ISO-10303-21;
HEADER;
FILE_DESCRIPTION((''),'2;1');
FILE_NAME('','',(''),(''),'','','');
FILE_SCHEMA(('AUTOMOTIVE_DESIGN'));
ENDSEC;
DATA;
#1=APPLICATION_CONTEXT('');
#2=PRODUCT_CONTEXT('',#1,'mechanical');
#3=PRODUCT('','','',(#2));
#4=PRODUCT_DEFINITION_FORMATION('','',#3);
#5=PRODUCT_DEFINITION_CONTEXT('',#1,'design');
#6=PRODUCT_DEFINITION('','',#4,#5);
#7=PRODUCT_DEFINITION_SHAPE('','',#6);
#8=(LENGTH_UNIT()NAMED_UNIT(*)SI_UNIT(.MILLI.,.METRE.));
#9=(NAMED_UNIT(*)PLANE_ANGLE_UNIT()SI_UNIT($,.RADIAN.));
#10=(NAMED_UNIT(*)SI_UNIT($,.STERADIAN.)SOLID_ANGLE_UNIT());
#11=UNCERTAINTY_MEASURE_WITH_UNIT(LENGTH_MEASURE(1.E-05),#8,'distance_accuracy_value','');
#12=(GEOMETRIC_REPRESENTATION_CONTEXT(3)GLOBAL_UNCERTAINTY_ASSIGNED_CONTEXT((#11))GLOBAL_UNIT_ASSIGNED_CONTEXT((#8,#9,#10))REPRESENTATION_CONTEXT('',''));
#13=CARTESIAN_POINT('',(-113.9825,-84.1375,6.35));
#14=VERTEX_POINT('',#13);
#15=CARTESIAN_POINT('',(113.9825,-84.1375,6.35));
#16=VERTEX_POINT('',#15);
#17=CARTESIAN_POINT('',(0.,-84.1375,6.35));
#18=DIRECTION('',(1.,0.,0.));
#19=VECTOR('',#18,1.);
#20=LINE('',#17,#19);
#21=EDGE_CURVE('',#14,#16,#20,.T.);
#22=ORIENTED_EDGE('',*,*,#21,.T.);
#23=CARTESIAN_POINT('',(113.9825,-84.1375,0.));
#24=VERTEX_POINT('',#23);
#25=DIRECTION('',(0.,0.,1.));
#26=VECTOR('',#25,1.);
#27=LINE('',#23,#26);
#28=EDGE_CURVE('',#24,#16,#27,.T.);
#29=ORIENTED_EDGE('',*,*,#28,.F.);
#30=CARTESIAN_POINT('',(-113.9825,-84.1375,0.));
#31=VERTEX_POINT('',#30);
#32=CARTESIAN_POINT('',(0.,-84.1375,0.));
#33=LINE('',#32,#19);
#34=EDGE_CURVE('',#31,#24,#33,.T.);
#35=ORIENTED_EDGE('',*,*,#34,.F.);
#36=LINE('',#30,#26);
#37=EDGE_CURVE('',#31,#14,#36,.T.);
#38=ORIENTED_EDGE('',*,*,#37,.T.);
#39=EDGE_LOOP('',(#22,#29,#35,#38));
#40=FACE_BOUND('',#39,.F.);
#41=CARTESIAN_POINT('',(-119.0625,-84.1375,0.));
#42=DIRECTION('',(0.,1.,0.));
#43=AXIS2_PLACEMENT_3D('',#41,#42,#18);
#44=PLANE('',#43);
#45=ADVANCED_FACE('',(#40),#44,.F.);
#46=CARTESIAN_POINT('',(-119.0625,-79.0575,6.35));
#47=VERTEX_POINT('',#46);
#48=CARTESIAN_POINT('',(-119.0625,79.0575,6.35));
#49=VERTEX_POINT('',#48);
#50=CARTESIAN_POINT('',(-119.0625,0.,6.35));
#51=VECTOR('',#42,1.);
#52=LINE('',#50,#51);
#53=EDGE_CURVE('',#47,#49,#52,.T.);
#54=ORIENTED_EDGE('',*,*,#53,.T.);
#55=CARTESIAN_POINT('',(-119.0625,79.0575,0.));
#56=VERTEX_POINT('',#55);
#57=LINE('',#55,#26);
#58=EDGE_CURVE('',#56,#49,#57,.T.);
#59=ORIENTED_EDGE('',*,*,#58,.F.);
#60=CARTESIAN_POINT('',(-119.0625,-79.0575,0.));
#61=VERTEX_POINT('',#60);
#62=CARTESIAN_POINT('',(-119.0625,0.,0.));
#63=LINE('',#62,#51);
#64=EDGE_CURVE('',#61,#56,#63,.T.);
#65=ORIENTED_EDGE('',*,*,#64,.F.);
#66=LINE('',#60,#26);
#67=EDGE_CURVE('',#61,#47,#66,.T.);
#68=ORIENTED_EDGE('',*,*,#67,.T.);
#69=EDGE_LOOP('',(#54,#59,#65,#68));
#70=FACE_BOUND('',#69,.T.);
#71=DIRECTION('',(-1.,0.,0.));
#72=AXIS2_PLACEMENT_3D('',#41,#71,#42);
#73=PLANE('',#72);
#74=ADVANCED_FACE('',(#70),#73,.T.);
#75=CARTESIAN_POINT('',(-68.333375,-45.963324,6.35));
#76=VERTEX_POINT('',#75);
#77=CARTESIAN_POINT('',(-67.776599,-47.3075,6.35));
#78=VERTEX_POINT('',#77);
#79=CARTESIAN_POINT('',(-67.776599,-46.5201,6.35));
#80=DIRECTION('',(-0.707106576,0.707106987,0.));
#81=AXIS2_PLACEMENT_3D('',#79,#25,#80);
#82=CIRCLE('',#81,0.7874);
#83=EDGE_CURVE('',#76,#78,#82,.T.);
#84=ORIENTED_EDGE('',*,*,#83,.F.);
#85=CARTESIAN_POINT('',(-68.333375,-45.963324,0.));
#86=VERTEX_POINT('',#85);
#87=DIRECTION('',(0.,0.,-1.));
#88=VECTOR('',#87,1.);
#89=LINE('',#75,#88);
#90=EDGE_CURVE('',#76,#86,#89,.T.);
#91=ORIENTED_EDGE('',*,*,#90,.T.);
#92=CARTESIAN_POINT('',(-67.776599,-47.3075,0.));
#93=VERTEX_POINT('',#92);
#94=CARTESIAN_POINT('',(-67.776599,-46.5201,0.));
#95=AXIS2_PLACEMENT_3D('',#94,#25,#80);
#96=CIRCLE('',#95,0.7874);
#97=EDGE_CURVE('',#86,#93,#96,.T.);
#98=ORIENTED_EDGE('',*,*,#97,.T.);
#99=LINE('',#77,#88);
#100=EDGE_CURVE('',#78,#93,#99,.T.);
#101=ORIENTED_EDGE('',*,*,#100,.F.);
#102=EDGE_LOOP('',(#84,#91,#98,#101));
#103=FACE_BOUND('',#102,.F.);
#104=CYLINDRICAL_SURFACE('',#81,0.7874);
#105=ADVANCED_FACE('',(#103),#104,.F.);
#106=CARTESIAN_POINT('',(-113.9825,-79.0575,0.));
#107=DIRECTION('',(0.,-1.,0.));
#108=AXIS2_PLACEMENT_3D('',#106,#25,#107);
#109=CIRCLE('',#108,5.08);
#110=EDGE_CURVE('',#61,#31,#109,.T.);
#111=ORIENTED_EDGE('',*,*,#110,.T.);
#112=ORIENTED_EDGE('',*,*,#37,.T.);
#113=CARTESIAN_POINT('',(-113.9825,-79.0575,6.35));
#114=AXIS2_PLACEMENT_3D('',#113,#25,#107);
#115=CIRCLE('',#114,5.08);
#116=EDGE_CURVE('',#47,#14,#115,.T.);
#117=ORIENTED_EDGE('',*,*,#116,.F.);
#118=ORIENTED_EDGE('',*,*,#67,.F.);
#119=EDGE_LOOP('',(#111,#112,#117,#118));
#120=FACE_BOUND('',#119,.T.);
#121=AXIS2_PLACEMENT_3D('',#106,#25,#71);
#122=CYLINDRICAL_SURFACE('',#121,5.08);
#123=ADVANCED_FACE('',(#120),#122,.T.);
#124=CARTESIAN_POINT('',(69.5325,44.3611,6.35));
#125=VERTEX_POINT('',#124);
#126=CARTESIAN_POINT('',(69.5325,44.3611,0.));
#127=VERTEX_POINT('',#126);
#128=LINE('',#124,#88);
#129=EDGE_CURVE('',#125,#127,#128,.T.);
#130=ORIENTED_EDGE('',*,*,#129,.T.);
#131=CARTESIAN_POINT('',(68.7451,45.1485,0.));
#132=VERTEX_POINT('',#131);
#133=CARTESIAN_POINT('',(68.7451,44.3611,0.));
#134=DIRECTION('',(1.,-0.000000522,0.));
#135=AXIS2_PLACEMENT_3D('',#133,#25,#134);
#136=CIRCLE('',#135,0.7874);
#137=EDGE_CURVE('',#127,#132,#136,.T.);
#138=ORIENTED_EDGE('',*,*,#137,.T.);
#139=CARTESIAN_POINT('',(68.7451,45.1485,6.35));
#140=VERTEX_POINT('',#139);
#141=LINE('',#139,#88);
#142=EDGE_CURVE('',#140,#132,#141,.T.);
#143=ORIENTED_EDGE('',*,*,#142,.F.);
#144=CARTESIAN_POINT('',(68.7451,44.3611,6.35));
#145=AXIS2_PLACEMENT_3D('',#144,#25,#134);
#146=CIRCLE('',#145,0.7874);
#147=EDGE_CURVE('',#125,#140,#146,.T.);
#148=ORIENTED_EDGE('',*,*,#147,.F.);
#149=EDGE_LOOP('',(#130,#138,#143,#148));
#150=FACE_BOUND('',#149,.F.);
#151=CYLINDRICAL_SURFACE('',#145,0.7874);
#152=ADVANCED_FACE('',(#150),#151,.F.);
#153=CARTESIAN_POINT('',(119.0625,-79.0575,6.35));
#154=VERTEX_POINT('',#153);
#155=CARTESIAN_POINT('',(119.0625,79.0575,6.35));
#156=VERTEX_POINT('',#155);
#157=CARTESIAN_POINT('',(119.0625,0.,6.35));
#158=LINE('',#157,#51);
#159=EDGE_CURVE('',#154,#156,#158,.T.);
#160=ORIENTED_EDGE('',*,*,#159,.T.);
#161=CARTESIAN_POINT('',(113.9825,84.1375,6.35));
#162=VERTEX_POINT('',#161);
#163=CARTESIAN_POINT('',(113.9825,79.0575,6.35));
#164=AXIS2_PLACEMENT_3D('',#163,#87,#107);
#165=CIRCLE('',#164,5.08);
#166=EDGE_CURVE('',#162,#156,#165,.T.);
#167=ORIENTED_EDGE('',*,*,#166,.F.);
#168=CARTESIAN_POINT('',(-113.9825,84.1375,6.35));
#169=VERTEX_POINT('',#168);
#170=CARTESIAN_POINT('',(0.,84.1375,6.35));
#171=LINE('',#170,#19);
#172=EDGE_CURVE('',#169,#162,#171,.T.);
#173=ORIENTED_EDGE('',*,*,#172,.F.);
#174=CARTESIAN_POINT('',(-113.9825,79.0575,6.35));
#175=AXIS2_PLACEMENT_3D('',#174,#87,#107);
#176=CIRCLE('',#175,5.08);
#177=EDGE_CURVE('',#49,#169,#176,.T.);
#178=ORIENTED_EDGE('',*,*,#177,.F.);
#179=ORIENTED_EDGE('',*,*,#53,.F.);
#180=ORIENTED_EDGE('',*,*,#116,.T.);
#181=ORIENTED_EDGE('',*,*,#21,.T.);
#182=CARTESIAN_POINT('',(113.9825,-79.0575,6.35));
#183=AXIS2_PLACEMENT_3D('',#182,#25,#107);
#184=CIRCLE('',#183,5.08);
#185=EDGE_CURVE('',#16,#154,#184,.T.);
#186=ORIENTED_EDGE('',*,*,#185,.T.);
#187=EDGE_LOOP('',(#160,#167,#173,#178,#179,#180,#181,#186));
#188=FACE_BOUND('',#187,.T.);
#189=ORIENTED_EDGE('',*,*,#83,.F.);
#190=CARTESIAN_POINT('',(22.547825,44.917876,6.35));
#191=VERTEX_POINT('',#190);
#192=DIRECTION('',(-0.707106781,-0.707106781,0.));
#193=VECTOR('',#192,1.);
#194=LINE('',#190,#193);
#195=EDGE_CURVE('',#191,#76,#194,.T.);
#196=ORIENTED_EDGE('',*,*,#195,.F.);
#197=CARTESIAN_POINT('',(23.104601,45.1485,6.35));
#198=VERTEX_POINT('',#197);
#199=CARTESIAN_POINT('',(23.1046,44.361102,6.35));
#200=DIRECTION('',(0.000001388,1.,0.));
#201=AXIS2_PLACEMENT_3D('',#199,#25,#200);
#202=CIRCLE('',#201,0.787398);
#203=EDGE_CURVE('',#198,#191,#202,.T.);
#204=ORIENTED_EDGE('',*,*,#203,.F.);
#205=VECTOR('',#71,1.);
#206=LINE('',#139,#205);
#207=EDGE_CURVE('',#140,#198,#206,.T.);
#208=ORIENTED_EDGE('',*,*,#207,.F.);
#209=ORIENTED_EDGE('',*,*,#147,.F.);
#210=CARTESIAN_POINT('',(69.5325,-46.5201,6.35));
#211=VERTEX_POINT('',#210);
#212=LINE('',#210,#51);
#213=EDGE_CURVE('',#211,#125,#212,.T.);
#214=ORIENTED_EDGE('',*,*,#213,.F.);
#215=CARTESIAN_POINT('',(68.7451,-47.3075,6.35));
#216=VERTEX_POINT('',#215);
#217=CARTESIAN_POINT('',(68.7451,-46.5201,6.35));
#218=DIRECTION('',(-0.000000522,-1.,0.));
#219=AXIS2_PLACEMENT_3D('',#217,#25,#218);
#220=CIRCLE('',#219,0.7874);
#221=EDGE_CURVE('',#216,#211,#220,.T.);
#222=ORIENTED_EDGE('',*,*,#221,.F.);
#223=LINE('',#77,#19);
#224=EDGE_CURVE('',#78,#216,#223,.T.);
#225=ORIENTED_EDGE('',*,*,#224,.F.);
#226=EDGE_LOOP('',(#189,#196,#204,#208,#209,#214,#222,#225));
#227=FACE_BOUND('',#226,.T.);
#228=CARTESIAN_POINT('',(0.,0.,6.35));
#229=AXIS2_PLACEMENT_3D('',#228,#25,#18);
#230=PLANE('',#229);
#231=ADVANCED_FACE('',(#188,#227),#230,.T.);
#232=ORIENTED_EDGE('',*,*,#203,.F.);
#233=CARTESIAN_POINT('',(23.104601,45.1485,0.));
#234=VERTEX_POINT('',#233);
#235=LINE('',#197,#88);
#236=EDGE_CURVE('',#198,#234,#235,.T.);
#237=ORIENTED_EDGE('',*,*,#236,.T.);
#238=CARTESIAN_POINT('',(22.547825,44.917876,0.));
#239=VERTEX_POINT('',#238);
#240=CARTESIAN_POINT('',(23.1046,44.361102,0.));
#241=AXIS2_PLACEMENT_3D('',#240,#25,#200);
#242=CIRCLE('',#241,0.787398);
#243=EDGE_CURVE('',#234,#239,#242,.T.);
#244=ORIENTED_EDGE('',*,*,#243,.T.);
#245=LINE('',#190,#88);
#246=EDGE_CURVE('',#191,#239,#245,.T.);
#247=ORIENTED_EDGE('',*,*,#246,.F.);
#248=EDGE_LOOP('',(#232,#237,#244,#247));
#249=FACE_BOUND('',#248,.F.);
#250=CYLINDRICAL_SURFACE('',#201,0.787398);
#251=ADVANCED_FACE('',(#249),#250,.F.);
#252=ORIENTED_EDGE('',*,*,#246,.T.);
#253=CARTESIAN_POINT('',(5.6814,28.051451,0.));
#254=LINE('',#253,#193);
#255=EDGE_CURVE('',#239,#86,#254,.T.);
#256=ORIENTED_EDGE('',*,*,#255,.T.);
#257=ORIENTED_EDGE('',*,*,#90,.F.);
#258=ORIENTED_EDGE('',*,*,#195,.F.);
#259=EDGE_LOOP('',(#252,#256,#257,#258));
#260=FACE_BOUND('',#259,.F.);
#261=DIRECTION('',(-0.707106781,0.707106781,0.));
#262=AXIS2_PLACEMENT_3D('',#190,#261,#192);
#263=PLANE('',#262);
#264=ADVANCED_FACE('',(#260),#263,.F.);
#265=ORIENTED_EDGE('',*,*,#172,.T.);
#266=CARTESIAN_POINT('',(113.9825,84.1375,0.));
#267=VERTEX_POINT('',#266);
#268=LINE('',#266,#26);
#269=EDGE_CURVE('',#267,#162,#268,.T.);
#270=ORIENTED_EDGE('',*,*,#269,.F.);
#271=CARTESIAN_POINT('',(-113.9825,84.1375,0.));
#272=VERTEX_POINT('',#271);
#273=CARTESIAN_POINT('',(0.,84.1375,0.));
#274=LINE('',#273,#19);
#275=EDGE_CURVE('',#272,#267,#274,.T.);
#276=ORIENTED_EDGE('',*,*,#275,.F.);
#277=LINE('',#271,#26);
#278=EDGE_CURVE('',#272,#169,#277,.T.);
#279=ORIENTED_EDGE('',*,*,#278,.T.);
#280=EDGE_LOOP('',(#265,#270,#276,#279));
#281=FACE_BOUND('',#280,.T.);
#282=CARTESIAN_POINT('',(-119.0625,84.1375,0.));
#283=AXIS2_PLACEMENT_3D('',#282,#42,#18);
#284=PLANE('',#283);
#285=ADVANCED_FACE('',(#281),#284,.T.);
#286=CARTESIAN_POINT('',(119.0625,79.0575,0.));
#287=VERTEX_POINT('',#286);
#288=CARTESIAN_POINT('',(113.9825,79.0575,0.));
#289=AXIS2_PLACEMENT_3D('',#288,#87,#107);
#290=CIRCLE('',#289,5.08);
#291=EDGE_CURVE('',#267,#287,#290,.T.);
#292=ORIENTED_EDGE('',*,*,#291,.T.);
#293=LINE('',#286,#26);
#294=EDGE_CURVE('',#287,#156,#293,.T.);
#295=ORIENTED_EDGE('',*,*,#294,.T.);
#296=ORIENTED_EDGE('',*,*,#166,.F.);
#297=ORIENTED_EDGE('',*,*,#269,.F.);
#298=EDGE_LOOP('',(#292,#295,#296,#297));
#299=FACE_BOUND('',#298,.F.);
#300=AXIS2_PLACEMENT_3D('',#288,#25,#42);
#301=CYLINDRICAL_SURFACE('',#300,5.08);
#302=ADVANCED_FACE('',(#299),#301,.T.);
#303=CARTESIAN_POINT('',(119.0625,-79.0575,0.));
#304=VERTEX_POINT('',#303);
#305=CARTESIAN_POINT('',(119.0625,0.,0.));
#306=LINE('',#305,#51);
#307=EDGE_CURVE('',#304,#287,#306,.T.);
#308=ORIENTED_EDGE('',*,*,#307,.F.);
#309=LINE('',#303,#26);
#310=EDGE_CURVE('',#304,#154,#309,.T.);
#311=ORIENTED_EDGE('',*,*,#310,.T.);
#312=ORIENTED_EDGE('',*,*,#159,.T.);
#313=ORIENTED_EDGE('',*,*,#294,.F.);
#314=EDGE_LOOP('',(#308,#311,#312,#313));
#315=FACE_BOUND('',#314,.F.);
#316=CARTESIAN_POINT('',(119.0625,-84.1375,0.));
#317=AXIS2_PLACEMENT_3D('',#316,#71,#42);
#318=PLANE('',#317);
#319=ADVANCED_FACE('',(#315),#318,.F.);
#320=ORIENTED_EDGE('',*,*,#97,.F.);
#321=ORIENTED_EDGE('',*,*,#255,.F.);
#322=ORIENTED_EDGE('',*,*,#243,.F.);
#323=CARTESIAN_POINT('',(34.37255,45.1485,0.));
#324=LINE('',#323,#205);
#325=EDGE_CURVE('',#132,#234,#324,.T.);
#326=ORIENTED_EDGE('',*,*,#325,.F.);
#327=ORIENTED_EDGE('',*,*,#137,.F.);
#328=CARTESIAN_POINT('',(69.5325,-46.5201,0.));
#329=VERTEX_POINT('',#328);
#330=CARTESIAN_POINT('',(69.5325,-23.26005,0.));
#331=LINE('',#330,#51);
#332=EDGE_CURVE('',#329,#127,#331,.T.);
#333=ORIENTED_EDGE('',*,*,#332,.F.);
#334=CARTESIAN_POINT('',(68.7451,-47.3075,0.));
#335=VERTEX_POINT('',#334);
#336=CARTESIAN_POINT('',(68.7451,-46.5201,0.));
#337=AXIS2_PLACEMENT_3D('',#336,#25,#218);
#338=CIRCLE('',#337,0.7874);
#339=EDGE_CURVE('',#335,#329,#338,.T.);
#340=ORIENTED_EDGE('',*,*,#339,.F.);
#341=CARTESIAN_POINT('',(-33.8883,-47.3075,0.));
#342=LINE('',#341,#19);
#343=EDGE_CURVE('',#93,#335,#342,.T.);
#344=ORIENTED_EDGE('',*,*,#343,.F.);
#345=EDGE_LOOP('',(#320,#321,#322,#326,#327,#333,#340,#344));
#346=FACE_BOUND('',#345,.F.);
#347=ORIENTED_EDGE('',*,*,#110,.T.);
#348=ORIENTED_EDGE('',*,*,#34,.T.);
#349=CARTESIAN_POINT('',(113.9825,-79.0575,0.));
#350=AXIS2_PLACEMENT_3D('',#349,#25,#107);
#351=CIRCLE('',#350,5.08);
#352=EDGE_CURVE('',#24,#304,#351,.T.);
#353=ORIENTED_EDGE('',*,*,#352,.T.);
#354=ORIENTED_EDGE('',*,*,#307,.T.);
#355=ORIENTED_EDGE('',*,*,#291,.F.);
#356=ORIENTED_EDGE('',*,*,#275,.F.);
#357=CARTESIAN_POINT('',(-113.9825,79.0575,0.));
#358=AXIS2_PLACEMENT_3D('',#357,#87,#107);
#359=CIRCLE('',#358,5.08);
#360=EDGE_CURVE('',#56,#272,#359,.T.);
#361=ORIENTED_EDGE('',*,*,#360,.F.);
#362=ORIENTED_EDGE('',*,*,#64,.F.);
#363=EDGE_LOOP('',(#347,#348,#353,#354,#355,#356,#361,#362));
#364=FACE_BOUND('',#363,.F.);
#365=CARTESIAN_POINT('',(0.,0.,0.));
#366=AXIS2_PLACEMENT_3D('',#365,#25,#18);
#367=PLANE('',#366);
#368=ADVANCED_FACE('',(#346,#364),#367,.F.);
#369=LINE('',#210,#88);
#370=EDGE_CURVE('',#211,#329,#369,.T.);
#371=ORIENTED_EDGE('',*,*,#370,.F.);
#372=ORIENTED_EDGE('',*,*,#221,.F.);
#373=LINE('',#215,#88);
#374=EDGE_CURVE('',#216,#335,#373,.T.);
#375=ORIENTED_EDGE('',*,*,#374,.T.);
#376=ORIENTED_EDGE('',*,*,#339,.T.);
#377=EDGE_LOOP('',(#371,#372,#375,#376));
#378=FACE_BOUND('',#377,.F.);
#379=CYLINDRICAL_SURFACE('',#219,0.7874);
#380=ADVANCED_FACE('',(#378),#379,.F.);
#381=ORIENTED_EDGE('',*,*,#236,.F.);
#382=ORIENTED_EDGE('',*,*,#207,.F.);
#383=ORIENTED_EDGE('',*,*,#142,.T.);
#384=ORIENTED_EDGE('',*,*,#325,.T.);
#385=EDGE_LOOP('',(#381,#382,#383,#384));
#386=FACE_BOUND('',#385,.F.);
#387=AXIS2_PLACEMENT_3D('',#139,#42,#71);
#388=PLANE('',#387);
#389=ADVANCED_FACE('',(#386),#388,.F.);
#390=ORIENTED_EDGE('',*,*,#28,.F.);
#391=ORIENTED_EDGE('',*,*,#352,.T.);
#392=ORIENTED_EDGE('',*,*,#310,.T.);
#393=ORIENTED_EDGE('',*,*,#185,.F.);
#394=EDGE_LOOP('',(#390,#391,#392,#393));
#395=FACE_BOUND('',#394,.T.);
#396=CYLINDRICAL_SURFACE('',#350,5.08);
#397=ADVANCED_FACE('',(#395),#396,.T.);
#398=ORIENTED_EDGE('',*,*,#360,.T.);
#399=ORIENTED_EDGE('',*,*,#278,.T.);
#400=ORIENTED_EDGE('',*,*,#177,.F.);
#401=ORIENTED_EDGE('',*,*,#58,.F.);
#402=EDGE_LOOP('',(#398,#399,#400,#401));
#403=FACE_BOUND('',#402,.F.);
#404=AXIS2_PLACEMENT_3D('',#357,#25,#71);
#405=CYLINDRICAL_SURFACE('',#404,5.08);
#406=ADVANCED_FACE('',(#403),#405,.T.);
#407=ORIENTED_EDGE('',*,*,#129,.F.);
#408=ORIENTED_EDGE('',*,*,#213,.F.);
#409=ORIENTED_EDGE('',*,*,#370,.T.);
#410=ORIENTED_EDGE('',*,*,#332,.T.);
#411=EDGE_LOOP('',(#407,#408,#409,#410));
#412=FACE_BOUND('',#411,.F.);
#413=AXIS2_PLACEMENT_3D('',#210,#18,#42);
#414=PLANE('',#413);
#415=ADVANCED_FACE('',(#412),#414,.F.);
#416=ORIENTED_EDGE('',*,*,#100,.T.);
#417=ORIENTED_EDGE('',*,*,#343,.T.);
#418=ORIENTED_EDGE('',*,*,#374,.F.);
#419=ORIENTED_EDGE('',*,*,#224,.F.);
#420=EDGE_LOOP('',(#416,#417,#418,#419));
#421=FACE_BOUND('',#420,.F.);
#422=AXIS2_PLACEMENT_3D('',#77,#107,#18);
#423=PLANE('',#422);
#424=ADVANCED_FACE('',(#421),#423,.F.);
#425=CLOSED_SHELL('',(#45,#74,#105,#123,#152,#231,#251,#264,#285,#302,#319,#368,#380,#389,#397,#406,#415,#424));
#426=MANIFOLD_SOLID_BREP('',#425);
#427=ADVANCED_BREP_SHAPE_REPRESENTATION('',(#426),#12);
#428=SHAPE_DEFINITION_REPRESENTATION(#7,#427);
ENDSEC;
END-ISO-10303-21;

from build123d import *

# Parameters (mm, degrees)
F0_W     = 238.125
F0_H     = 168.275
F1_DEPTH = 6.35
F3_DEPTH = 25.4
F4_R     = 5.08
F5_DEPTH = 6.351
F7_DEPTH = 6.351


with BuildPart() as f1:
    # F0 (on Top) → F1 (new body)
    with BuildSketch(Plane.XY):
        Rectangle(F0_W, F0_H)
    extrude(amount=F1_DEPTH)

    # F2 (on face) → F3 (cut)
    with BuildSketch(Plane.XY.offset(6.35)):
        Polygon((23.3045, 43.8785), (-66.6115, -46.0375), (68.2625, -46.0375), (68.2625, 43.8785), align=None)
    extrude(amount=-F3_DEPTH, mode=Mode.SUBTRACT)

    # F4
    f4_edges = [f1.edges().sort_by_distance(p)[0] for p in [
        (119.0625, -84.1375, 3.175),
        (119.0625, 84.1375, 3.175),
        (-119.0625, -84.1375, 3.175),
        (-119.0625, 84.1375, 3.175),
    ]]
    fillet(f4_edges, radius=F4_R)

    # F2 (on face) → F5 (cut, through all)
    with BuildSketch(Plane.XY.offset(6.35)):
        Polygon((23.3045, 43.8785), (-66.6115, -46.0375), (68.2625, -46.0375), (68.2625, 43.8785), align=None)
    extrude(amount=-F5_DEPTH, mode=Mode.SUBTRACT)

    # F6 (on face) → F7 (cut, through all)
    with BuildSketch(Plane.XY.offset(6.35)):
        with BuildLine():
            Line((68.7451, 45.1485), (23.104601, 45.1485))
            ThreePointArc((23.104601, 45.1485), (22.803276, 45.088563), (22.547825, 44.917876))
            Line((22.547825, 44.917876), (-68.333375, -45.963324))
            ThreePointArc((-68.333375, -45.963324), (-68.504062, -46.821425), (-67.776599, -47.3075))
            Line((-67.776599, -47.3075), (68.7451, -47.3075))
            ThreePointArc((68.7451, -47.3075), (69.301876, -47.076876), (69.5325, -46.5201))
            Line((69.5325, -46.5201), (69.5325, 44.3611))
            ThreePointArc((69.5325, 44.3611), (69.301876, 44.917876), (68.7451, 45.1485))
        make_face()
    extrude(amount=-F7_DEPTH, mode=Mode.SUBTRACT)


solid = f1.part
